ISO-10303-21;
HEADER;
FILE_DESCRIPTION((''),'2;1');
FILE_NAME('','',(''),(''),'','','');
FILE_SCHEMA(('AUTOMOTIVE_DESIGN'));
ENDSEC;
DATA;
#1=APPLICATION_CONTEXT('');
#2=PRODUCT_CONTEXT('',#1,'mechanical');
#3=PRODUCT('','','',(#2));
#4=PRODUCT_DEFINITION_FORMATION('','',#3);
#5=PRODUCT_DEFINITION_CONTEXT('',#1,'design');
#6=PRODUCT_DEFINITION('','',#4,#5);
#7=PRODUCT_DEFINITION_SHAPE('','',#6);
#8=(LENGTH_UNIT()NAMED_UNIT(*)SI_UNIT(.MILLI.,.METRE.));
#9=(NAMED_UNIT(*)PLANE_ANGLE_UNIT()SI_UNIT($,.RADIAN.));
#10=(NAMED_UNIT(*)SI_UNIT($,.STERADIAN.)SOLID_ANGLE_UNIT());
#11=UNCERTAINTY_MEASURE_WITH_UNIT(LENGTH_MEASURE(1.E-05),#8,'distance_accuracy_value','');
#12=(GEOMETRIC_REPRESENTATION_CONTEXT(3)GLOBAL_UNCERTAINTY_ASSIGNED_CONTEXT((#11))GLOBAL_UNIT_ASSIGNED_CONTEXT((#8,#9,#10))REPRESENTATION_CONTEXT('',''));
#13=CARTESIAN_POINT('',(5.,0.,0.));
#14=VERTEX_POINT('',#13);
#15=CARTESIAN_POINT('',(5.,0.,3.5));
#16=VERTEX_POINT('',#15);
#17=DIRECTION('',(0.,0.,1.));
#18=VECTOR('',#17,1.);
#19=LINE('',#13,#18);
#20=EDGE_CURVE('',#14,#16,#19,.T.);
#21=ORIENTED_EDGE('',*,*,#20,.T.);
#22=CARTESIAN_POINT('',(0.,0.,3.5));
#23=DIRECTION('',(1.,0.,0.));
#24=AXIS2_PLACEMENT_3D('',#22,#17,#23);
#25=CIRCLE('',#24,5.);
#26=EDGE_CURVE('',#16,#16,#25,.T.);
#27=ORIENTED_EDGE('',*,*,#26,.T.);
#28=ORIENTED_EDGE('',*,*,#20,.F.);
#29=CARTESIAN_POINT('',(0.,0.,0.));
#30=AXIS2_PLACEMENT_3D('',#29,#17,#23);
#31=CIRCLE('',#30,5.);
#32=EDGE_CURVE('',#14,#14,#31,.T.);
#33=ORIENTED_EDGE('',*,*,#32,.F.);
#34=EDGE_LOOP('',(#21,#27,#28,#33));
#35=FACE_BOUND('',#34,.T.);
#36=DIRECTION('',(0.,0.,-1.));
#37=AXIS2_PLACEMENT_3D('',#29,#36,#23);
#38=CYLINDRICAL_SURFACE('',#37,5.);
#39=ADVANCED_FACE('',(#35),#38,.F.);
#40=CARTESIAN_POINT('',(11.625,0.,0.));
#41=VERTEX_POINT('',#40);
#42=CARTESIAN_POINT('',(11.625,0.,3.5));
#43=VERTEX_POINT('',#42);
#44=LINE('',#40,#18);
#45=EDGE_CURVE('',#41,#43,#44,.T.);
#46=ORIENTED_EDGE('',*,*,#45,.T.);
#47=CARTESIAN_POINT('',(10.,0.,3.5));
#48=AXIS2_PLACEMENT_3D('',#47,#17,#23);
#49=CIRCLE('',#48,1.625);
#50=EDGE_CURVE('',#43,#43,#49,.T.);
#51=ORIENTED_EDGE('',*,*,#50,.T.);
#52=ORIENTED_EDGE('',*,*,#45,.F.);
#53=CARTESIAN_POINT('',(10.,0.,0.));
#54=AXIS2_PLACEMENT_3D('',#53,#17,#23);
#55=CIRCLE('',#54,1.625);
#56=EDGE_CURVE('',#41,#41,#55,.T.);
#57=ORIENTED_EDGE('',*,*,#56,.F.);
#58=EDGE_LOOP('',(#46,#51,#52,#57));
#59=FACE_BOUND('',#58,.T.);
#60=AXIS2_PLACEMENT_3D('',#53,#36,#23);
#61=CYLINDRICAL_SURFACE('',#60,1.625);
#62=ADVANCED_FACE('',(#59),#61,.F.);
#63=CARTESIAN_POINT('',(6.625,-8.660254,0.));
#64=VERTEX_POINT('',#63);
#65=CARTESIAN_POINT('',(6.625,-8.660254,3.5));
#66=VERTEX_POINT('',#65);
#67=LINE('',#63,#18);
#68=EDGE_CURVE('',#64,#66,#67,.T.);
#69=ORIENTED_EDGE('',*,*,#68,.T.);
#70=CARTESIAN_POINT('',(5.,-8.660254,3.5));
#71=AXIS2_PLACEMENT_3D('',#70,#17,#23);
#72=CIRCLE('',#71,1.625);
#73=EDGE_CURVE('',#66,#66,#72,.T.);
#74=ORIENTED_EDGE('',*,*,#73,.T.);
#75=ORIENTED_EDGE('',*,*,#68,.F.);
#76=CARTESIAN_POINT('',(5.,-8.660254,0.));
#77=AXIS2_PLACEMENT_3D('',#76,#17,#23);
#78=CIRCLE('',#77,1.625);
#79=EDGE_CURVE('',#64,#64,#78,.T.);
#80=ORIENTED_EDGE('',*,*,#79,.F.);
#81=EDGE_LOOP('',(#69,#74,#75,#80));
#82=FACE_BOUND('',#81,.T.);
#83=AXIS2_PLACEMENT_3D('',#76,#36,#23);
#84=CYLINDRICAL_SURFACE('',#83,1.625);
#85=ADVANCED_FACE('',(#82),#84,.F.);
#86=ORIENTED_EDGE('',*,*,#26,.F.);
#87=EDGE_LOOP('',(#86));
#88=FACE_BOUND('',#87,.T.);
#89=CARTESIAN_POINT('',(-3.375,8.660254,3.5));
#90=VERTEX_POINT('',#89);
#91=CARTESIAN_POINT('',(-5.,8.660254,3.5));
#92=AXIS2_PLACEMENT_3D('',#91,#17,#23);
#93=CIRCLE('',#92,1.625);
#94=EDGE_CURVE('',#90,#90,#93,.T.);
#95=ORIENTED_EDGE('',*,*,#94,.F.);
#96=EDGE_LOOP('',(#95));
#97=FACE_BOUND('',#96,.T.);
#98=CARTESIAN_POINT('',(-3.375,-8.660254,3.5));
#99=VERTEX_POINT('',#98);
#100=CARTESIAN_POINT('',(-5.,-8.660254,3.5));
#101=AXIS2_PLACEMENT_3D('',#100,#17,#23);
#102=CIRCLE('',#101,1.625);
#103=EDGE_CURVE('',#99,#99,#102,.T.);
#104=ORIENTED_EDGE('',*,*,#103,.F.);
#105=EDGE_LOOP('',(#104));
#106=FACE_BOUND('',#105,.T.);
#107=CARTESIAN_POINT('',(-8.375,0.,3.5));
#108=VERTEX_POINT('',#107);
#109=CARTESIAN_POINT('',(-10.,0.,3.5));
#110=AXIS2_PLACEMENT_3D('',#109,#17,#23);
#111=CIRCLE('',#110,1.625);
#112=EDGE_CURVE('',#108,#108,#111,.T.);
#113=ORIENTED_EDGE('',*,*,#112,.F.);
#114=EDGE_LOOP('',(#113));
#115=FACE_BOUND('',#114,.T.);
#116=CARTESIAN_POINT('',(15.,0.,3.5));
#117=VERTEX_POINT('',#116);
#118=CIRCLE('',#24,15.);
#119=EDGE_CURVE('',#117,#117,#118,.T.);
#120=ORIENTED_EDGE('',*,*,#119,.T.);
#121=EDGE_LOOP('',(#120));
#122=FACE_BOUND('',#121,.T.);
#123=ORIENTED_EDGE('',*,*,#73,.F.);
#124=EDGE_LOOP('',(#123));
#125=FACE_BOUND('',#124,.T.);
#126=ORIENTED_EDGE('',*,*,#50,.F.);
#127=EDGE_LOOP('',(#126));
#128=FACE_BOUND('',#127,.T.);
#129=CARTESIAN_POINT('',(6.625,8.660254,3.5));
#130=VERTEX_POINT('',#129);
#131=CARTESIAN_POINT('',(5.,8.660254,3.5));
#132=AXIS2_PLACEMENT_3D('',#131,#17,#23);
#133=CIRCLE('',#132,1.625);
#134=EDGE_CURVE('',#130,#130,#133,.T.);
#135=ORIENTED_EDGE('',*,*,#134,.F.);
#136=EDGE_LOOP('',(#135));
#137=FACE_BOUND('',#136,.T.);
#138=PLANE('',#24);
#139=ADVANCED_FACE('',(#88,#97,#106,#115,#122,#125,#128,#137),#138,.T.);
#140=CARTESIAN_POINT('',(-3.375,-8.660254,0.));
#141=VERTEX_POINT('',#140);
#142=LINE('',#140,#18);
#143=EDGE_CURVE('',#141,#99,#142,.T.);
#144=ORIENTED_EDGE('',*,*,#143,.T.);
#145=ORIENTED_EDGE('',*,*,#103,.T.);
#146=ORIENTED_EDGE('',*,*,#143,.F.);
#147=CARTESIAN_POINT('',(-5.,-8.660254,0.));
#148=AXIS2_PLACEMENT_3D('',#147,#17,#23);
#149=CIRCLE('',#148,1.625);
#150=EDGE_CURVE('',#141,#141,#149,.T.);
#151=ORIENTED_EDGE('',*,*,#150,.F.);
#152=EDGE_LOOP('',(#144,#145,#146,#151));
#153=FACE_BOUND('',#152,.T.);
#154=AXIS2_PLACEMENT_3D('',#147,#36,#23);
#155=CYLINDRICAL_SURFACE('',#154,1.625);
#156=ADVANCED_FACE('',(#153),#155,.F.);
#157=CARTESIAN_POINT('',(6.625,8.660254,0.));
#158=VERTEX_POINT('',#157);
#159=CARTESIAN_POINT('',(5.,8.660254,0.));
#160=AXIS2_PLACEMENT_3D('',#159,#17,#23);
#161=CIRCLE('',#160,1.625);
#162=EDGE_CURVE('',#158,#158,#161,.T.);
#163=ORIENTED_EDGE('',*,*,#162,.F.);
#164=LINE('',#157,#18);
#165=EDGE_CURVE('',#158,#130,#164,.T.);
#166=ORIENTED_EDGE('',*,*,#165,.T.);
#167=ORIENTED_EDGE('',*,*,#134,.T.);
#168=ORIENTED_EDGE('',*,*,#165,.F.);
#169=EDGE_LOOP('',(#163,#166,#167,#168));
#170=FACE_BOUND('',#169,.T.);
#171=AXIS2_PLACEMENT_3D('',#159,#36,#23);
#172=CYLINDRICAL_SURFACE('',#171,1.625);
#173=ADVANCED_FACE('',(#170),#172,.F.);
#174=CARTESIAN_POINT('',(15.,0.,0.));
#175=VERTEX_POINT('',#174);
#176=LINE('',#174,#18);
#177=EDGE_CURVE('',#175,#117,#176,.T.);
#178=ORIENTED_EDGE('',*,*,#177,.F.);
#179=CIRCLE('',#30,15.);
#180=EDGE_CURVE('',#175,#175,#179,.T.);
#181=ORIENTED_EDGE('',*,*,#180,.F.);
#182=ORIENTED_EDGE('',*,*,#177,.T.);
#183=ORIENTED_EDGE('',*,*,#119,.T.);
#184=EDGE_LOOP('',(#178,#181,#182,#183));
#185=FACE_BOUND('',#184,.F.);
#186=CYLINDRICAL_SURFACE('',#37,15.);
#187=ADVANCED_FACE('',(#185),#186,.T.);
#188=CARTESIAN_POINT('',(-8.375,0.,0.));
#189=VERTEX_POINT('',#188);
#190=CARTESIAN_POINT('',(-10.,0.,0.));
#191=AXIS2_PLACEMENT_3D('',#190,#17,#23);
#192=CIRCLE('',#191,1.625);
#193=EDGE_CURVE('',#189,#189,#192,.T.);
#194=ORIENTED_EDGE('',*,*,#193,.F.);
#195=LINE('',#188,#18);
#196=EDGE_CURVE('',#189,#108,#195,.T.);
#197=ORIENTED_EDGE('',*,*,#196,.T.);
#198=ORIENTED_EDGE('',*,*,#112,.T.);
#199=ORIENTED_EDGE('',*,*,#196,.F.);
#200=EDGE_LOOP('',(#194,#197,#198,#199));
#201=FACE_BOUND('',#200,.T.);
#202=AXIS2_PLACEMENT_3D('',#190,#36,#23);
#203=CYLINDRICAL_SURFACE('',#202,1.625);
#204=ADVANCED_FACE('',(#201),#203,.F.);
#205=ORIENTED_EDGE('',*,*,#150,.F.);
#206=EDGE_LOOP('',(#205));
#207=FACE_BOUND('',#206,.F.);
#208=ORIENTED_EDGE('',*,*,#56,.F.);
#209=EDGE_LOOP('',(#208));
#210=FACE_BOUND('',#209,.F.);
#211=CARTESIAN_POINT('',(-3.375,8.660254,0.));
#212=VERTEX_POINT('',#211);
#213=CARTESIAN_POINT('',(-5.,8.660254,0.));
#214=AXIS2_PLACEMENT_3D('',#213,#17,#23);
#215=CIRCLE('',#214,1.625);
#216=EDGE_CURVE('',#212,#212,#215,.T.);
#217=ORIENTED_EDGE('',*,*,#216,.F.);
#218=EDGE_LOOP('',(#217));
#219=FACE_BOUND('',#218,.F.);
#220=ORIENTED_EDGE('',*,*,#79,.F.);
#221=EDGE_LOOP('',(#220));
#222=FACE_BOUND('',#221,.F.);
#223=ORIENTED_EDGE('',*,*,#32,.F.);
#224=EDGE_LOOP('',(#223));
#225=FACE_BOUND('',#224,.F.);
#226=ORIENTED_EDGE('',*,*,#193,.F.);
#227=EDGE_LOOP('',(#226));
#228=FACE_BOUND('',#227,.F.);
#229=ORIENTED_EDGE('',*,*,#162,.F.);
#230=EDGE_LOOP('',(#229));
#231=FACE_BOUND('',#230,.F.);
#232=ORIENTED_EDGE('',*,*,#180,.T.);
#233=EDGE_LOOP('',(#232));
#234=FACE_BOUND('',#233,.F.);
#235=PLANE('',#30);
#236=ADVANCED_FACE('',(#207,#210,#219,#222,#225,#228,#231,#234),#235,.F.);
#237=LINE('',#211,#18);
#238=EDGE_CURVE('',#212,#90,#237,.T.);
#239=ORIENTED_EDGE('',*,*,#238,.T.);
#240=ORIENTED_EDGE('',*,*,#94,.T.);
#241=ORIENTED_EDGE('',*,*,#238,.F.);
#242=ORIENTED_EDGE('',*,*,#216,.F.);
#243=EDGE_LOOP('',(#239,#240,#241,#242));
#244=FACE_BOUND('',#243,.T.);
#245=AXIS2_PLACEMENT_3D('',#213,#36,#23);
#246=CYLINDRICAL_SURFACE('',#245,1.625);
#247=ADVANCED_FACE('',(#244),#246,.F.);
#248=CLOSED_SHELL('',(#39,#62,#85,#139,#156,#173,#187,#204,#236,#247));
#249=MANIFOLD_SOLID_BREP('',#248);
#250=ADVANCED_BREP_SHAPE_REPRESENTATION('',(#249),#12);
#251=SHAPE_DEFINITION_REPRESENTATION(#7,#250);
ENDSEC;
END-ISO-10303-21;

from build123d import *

# Parameters (mm, degrees)
F0_R     = 15
F0_R_2   = 1.625
F0_R_3   = 5
F1_DEPTH = 3.5


with BuildPart() as f1:
    # F0 (on Top) → F1 (new body)
    with BuildSketch(Plane.XY):
        Circle(F0_R)
        with Locations((-5, -8.660254)):
            Circle(F0_R_2, mode=Mode.SUBTRACT)
        with Locations((5, -8.660254)):
            Circle(F0_R_2, mode=Mode.SUBTRACT)
        with Locations((-10, 0)):
            Circle(F0_R_2, mode=Mode.SUBTRACT)
        with Locations((-5, 8.660254)):
            Circle(F0_R_2, mode=Mode.SUBTRACT)
        Circle(F0_R_3, mode=Mode.SUBTRACT)
        with Locations((10, 0)):
            Circle(F0_R_2, mode=Mode.SUBTRACT)
        with Locations((5, 8.660254)):
            Circle(F0_R_2, mode=Mode.SUBTRACT)
    extrude(amount=F1_DEPTH)


solid = f1.part
